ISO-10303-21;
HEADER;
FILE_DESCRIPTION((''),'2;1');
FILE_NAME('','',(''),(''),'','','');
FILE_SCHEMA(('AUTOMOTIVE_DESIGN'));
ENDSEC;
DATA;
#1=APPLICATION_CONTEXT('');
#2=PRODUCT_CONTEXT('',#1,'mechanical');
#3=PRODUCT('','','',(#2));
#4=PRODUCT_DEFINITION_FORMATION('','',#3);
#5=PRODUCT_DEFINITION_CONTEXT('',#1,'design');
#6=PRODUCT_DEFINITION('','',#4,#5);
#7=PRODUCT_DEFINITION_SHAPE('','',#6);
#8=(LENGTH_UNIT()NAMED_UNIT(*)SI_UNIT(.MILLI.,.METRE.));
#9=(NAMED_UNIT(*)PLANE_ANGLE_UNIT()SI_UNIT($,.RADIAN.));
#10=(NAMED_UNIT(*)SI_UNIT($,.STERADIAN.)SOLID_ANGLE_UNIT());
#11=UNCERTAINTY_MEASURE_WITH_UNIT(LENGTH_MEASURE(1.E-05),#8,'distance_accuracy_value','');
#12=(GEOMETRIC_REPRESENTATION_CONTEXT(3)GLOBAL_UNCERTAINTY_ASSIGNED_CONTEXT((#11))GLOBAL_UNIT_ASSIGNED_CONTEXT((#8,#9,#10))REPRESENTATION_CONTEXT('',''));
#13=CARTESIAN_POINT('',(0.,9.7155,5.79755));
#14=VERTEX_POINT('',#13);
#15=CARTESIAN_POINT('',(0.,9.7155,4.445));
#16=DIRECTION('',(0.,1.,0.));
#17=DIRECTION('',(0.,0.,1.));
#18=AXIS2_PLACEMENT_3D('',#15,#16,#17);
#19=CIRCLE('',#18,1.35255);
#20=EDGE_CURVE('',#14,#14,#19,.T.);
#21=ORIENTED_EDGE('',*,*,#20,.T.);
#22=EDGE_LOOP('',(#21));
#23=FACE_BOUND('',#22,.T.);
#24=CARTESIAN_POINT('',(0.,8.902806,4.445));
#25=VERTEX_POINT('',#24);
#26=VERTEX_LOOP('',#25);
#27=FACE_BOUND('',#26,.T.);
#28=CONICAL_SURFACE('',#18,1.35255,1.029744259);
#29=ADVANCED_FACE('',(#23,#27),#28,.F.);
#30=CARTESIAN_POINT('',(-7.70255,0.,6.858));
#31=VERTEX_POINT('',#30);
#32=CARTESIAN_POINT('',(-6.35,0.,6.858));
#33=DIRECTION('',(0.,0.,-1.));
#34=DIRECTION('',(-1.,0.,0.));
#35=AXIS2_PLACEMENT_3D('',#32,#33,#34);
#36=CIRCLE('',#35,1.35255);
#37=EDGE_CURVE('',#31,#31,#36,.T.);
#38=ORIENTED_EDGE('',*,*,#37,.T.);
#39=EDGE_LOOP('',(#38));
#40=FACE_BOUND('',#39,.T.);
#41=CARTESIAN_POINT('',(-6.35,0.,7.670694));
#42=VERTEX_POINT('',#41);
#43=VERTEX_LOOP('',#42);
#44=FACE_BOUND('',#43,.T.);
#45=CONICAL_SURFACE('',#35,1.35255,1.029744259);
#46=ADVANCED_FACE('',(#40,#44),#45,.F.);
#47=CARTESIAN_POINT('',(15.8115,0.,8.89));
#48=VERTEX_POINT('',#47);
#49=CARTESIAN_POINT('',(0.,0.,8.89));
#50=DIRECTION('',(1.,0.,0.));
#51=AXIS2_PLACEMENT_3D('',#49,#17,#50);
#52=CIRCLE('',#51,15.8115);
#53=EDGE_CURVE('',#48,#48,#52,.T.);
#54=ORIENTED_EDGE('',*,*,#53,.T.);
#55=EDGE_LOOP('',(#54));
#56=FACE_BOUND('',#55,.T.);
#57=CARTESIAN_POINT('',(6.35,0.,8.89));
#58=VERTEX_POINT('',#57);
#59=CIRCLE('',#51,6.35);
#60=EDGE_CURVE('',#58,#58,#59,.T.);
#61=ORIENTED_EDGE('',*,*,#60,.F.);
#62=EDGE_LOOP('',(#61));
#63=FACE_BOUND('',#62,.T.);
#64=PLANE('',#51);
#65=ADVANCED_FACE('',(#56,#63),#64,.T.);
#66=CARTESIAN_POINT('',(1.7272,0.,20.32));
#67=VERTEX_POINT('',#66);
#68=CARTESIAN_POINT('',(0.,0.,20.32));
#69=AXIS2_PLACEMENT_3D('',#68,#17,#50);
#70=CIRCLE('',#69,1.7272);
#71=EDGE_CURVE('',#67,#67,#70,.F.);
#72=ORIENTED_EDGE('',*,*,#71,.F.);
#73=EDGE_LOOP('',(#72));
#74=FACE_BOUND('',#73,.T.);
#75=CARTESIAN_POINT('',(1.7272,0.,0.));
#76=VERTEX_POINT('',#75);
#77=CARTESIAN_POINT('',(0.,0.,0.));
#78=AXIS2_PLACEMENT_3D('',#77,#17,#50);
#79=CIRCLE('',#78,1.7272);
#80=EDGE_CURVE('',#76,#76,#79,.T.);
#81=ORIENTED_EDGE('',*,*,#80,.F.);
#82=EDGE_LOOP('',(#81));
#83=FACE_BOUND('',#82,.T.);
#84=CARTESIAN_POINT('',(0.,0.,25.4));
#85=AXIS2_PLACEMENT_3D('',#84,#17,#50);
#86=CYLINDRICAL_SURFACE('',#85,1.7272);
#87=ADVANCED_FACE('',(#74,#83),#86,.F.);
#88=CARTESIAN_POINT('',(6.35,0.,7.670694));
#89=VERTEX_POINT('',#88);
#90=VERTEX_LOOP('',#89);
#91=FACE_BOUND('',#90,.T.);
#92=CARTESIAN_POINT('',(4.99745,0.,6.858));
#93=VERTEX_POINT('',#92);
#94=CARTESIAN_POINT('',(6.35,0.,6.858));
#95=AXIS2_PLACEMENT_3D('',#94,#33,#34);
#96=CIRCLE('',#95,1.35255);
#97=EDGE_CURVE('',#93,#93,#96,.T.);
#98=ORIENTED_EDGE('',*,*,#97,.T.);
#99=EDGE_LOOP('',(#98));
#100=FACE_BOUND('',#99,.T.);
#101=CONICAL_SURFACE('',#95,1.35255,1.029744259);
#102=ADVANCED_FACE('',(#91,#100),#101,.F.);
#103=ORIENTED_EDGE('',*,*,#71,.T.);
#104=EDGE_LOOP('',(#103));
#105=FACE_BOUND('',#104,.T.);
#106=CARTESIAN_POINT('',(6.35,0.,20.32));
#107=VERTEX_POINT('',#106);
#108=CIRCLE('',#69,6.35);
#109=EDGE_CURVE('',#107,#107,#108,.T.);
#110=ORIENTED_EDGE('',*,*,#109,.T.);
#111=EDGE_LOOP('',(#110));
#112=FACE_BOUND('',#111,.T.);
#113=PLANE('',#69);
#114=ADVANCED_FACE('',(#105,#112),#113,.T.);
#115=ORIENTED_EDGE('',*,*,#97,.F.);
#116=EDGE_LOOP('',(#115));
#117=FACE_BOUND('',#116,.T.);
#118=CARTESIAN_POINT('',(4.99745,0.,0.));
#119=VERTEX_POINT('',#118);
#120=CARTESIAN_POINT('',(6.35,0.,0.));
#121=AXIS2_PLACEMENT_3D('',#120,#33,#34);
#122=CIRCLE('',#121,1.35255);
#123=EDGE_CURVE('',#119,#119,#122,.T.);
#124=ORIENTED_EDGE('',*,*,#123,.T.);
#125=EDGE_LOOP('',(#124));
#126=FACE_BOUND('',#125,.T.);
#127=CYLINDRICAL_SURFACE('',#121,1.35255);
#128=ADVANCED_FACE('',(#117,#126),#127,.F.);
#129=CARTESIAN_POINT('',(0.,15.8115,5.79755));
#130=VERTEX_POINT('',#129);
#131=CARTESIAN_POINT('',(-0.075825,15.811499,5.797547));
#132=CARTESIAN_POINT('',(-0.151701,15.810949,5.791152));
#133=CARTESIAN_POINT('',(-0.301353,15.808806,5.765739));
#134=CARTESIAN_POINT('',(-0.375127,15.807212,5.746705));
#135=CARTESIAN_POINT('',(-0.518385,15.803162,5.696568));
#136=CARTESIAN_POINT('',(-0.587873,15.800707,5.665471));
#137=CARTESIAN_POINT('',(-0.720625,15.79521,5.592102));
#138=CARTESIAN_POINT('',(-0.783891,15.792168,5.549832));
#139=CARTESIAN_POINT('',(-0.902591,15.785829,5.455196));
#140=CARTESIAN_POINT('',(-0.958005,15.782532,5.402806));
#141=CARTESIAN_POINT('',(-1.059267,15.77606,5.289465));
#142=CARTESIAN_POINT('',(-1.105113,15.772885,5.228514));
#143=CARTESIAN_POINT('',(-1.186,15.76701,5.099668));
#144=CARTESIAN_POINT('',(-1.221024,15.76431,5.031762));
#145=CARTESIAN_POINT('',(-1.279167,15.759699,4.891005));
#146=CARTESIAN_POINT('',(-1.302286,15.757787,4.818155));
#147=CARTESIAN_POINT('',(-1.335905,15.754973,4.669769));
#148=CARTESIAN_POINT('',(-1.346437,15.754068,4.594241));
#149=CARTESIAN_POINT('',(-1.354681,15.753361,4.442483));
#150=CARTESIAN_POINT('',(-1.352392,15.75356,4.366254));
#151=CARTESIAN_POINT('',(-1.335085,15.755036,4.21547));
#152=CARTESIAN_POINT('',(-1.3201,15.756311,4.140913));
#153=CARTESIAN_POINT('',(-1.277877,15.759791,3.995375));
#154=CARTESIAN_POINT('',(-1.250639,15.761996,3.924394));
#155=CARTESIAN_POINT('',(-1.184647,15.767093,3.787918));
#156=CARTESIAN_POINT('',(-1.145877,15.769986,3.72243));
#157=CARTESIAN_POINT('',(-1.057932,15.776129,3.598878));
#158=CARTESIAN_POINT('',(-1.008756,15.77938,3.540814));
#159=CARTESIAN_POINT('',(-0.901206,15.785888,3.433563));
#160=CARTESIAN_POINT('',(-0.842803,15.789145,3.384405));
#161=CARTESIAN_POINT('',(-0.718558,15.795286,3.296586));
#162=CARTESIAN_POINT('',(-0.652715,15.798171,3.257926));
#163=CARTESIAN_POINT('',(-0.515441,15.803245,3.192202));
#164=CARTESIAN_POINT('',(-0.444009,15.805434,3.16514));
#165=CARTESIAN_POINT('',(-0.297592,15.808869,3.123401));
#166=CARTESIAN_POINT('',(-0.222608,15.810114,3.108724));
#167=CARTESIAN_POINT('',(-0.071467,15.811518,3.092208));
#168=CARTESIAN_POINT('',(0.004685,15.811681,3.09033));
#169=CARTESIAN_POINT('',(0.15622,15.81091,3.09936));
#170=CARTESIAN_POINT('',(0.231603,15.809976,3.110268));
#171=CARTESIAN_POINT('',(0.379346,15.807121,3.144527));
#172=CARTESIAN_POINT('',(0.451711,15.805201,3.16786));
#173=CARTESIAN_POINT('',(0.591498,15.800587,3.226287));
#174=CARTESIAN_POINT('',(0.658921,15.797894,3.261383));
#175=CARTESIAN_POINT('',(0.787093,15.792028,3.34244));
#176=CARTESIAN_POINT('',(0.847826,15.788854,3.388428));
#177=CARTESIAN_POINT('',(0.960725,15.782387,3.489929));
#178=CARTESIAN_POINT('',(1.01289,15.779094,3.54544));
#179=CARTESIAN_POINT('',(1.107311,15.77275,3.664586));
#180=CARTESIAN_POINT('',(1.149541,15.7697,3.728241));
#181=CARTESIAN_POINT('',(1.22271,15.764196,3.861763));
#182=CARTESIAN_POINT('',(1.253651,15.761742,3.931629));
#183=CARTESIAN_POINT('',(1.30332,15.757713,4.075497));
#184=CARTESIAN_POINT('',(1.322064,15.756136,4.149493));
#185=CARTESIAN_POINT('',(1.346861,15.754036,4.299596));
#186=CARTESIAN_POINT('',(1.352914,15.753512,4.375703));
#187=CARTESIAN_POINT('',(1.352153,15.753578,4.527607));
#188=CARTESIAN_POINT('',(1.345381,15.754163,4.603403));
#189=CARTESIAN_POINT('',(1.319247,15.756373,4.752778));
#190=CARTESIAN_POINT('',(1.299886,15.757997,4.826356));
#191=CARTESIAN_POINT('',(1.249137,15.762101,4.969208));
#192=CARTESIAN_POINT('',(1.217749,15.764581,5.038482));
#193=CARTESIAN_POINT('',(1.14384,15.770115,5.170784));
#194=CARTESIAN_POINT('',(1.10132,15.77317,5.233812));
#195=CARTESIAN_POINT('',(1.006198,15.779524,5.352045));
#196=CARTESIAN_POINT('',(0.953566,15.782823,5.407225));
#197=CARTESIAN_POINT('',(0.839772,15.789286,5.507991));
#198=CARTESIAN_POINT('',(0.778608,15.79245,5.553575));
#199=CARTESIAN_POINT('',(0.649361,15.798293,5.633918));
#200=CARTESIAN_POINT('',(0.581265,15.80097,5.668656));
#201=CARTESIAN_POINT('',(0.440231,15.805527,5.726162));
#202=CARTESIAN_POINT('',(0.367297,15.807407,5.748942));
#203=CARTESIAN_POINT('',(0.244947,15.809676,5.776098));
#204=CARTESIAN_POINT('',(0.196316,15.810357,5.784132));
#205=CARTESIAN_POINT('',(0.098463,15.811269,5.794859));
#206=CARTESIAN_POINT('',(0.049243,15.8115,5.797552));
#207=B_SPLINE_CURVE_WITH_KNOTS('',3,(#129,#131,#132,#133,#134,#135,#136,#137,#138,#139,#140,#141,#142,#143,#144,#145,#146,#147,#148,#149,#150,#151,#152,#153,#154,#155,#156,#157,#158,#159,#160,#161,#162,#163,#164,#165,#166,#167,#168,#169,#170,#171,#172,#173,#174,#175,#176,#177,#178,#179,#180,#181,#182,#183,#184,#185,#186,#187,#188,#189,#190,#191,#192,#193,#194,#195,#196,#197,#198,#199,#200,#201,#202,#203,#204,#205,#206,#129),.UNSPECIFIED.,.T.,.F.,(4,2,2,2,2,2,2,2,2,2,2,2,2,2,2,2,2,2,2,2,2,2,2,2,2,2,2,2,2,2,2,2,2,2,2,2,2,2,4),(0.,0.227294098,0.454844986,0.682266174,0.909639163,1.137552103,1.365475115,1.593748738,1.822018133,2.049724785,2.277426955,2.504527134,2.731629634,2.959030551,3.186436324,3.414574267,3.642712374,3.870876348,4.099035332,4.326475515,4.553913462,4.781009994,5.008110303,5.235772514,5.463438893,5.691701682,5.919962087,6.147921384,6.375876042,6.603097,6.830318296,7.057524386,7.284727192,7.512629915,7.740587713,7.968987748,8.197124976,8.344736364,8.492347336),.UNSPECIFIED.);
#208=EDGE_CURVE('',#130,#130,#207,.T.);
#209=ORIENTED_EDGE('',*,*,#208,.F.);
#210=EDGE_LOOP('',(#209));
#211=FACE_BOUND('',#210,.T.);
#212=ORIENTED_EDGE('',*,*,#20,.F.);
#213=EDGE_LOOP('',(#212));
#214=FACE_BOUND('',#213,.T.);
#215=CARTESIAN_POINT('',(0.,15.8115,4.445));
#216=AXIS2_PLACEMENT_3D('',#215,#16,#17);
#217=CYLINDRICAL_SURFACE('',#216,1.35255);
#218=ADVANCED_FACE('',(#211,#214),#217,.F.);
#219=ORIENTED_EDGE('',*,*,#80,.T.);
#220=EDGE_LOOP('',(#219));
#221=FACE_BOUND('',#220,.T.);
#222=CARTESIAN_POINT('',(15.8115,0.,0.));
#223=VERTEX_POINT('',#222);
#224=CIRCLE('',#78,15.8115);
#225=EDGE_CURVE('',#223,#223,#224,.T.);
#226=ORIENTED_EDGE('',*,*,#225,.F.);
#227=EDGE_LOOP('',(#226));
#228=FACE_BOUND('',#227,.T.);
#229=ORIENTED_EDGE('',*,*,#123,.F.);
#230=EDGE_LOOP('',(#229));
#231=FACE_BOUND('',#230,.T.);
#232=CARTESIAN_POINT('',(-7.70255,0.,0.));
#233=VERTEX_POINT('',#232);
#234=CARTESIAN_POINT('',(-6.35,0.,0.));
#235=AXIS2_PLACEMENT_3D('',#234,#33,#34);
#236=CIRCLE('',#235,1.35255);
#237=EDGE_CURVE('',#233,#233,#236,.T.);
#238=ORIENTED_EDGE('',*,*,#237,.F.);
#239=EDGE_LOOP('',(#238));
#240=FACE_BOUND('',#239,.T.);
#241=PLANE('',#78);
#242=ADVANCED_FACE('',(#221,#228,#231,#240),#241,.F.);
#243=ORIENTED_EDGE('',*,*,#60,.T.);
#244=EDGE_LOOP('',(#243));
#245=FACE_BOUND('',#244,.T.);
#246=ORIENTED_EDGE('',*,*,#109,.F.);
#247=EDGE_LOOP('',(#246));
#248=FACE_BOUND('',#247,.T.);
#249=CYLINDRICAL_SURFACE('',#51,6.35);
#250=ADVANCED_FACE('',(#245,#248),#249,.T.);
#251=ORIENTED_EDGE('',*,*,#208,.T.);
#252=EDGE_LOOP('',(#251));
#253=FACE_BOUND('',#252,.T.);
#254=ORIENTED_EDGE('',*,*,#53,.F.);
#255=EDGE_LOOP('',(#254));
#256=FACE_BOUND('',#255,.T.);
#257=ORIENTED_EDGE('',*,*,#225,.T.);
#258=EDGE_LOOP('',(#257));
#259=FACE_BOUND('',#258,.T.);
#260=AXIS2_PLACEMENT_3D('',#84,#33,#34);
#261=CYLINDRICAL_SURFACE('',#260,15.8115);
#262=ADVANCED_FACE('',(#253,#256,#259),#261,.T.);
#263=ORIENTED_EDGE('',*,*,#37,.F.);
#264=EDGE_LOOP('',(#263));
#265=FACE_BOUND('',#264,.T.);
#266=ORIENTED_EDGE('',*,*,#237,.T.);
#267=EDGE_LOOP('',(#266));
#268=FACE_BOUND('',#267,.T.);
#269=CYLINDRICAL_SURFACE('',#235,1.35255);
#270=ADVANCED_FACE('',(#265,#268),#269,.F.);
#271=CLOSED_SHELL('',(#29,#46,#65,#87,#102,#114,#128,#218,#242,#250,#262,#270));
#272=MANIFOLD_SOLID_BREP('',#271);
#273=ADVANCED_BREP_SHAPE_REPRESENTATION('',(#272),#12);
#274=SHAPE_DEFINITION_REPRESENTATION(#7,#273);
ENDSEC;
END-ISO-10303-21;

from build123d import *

# Parameters (mm, degrees)
SKETCH1_R                 = 15.8115
BOSS_EXTRUDE1_DEPTH       = 25.4
SKETCH2_OUTSIDE_W         = 43.91
SKETCH2_OUTSIDE_H         = 43.91
SKETCH2_OUTSIDE_R         = 6.35
CUT_EXTRUDE1_DEPTH        = 16.51
F_8_32_TAPPED_HOLE1_D     = 3.4544
F_6_32_TAPPED_HOLE2_D     = 2.7051
F_6_32_TAPPED_HOLE2_DEPTH = 6.858
F_6_32_TAPPED_HOLE2_TIP   = 0.81269403
F_6_32_TAPPED_HOLE3_D     = 2.7051
F_6_32_TAPPED_HOLE3_DEPTH = 6.096
F_6_32_TAPPED_HOLE3_TIP   = 0.81269403
SKETCH9_R                 = 6.35
CUT_EXTRUDE3_DEPTH        = 5.08


with BuildPart() as part:
    # Sketch1 → Boss-Extrude1 (new body)
    with BuildSketch(Plane.XY):
        Circle(SKETCH1_R)
    extrude(amount=BOSS_EXTRUDE1_DEPTH)

    # Sketch2 outside → Cut-Extrude1 (cut)
    with BuildSketch(Plane.XY.offset(25.4)):
        Rectangle(SKETCH2_OUTSIDE_W, SKETCH2_OUTSIDE_H)
        Circle(SKETCH2_OUTSIDE_R, mode=Mode.SUBTRACT)
    extrude(amount=-CUT_EXTRUDE1_DEPTH, mode=Mode.SUBTRACT)

    # #8-32 Tapped Hole1 (through all)
    with Locations(Plane.XY.offset(25.4)):
        with Locations((0, 0)):
            Hole(F_8_32_TAPPED_HOLE1_D / 2)

    # #6-32 Tapped Hole2
    with Locations(Plane(origin=(0, 0, 0), x_dir=(-1, 0, 0), z_dir=(0, 0, -1))):
        with Locations((-6.35, 0), (6.35, 0)):
            Hole(F_6_32_TAPPED_HOLE2_D / 2, depth=F_6_32_TAPPED_HOLE2_DEPTH)
            with Locations((0, 0, -(F_6_32_TAPPED_HOLE2_DEPTH + F_6_32_TAPPED_HOLE2_TIP / 2))):  # 118° drill point
                Cone(0, F_6_32_TAPPED_HOLE2_D / 2, F_6_32_TAPPED_HOLE2_TIP, mode=Mode.SUBTRACT)

    # #6-32 Tapped Hole3
    with Locations(Plane(origin=(0, 15.8115, 4.445), x_dir=(1, 0, 0), z_dir=(0, 1, 0))):
        with Locations((0, 0)):
            Hole(F_6_32_TAPPED_HOLE3_D / 2, depth=F_6_32_TAPPED_HOLE3_DEPTH)
            with Locations((0, 0, -(F_6_32_TAPPED_HOLE3_DEPTH + F_6_32_TAPPED_HOLE3_TIP / 2))):  # 118° drill point
                Cone(0, F_6_32_TAPPED_HOLE3_D / 2, F_6_32_TAPPED_HOLE3_TIP, mode=Mode.SUBTRACT)

    # Sketch9 → Cut-Extrude3 (cut)
    with BuildSketch(Plane.XY.offset(25.4)):
        Circle(SKETCH9_R)
    extrude(amount=-CUT_EXTRUDE3_DEPTH, mode=Mode.SUBTRACT)


solid = part.part
